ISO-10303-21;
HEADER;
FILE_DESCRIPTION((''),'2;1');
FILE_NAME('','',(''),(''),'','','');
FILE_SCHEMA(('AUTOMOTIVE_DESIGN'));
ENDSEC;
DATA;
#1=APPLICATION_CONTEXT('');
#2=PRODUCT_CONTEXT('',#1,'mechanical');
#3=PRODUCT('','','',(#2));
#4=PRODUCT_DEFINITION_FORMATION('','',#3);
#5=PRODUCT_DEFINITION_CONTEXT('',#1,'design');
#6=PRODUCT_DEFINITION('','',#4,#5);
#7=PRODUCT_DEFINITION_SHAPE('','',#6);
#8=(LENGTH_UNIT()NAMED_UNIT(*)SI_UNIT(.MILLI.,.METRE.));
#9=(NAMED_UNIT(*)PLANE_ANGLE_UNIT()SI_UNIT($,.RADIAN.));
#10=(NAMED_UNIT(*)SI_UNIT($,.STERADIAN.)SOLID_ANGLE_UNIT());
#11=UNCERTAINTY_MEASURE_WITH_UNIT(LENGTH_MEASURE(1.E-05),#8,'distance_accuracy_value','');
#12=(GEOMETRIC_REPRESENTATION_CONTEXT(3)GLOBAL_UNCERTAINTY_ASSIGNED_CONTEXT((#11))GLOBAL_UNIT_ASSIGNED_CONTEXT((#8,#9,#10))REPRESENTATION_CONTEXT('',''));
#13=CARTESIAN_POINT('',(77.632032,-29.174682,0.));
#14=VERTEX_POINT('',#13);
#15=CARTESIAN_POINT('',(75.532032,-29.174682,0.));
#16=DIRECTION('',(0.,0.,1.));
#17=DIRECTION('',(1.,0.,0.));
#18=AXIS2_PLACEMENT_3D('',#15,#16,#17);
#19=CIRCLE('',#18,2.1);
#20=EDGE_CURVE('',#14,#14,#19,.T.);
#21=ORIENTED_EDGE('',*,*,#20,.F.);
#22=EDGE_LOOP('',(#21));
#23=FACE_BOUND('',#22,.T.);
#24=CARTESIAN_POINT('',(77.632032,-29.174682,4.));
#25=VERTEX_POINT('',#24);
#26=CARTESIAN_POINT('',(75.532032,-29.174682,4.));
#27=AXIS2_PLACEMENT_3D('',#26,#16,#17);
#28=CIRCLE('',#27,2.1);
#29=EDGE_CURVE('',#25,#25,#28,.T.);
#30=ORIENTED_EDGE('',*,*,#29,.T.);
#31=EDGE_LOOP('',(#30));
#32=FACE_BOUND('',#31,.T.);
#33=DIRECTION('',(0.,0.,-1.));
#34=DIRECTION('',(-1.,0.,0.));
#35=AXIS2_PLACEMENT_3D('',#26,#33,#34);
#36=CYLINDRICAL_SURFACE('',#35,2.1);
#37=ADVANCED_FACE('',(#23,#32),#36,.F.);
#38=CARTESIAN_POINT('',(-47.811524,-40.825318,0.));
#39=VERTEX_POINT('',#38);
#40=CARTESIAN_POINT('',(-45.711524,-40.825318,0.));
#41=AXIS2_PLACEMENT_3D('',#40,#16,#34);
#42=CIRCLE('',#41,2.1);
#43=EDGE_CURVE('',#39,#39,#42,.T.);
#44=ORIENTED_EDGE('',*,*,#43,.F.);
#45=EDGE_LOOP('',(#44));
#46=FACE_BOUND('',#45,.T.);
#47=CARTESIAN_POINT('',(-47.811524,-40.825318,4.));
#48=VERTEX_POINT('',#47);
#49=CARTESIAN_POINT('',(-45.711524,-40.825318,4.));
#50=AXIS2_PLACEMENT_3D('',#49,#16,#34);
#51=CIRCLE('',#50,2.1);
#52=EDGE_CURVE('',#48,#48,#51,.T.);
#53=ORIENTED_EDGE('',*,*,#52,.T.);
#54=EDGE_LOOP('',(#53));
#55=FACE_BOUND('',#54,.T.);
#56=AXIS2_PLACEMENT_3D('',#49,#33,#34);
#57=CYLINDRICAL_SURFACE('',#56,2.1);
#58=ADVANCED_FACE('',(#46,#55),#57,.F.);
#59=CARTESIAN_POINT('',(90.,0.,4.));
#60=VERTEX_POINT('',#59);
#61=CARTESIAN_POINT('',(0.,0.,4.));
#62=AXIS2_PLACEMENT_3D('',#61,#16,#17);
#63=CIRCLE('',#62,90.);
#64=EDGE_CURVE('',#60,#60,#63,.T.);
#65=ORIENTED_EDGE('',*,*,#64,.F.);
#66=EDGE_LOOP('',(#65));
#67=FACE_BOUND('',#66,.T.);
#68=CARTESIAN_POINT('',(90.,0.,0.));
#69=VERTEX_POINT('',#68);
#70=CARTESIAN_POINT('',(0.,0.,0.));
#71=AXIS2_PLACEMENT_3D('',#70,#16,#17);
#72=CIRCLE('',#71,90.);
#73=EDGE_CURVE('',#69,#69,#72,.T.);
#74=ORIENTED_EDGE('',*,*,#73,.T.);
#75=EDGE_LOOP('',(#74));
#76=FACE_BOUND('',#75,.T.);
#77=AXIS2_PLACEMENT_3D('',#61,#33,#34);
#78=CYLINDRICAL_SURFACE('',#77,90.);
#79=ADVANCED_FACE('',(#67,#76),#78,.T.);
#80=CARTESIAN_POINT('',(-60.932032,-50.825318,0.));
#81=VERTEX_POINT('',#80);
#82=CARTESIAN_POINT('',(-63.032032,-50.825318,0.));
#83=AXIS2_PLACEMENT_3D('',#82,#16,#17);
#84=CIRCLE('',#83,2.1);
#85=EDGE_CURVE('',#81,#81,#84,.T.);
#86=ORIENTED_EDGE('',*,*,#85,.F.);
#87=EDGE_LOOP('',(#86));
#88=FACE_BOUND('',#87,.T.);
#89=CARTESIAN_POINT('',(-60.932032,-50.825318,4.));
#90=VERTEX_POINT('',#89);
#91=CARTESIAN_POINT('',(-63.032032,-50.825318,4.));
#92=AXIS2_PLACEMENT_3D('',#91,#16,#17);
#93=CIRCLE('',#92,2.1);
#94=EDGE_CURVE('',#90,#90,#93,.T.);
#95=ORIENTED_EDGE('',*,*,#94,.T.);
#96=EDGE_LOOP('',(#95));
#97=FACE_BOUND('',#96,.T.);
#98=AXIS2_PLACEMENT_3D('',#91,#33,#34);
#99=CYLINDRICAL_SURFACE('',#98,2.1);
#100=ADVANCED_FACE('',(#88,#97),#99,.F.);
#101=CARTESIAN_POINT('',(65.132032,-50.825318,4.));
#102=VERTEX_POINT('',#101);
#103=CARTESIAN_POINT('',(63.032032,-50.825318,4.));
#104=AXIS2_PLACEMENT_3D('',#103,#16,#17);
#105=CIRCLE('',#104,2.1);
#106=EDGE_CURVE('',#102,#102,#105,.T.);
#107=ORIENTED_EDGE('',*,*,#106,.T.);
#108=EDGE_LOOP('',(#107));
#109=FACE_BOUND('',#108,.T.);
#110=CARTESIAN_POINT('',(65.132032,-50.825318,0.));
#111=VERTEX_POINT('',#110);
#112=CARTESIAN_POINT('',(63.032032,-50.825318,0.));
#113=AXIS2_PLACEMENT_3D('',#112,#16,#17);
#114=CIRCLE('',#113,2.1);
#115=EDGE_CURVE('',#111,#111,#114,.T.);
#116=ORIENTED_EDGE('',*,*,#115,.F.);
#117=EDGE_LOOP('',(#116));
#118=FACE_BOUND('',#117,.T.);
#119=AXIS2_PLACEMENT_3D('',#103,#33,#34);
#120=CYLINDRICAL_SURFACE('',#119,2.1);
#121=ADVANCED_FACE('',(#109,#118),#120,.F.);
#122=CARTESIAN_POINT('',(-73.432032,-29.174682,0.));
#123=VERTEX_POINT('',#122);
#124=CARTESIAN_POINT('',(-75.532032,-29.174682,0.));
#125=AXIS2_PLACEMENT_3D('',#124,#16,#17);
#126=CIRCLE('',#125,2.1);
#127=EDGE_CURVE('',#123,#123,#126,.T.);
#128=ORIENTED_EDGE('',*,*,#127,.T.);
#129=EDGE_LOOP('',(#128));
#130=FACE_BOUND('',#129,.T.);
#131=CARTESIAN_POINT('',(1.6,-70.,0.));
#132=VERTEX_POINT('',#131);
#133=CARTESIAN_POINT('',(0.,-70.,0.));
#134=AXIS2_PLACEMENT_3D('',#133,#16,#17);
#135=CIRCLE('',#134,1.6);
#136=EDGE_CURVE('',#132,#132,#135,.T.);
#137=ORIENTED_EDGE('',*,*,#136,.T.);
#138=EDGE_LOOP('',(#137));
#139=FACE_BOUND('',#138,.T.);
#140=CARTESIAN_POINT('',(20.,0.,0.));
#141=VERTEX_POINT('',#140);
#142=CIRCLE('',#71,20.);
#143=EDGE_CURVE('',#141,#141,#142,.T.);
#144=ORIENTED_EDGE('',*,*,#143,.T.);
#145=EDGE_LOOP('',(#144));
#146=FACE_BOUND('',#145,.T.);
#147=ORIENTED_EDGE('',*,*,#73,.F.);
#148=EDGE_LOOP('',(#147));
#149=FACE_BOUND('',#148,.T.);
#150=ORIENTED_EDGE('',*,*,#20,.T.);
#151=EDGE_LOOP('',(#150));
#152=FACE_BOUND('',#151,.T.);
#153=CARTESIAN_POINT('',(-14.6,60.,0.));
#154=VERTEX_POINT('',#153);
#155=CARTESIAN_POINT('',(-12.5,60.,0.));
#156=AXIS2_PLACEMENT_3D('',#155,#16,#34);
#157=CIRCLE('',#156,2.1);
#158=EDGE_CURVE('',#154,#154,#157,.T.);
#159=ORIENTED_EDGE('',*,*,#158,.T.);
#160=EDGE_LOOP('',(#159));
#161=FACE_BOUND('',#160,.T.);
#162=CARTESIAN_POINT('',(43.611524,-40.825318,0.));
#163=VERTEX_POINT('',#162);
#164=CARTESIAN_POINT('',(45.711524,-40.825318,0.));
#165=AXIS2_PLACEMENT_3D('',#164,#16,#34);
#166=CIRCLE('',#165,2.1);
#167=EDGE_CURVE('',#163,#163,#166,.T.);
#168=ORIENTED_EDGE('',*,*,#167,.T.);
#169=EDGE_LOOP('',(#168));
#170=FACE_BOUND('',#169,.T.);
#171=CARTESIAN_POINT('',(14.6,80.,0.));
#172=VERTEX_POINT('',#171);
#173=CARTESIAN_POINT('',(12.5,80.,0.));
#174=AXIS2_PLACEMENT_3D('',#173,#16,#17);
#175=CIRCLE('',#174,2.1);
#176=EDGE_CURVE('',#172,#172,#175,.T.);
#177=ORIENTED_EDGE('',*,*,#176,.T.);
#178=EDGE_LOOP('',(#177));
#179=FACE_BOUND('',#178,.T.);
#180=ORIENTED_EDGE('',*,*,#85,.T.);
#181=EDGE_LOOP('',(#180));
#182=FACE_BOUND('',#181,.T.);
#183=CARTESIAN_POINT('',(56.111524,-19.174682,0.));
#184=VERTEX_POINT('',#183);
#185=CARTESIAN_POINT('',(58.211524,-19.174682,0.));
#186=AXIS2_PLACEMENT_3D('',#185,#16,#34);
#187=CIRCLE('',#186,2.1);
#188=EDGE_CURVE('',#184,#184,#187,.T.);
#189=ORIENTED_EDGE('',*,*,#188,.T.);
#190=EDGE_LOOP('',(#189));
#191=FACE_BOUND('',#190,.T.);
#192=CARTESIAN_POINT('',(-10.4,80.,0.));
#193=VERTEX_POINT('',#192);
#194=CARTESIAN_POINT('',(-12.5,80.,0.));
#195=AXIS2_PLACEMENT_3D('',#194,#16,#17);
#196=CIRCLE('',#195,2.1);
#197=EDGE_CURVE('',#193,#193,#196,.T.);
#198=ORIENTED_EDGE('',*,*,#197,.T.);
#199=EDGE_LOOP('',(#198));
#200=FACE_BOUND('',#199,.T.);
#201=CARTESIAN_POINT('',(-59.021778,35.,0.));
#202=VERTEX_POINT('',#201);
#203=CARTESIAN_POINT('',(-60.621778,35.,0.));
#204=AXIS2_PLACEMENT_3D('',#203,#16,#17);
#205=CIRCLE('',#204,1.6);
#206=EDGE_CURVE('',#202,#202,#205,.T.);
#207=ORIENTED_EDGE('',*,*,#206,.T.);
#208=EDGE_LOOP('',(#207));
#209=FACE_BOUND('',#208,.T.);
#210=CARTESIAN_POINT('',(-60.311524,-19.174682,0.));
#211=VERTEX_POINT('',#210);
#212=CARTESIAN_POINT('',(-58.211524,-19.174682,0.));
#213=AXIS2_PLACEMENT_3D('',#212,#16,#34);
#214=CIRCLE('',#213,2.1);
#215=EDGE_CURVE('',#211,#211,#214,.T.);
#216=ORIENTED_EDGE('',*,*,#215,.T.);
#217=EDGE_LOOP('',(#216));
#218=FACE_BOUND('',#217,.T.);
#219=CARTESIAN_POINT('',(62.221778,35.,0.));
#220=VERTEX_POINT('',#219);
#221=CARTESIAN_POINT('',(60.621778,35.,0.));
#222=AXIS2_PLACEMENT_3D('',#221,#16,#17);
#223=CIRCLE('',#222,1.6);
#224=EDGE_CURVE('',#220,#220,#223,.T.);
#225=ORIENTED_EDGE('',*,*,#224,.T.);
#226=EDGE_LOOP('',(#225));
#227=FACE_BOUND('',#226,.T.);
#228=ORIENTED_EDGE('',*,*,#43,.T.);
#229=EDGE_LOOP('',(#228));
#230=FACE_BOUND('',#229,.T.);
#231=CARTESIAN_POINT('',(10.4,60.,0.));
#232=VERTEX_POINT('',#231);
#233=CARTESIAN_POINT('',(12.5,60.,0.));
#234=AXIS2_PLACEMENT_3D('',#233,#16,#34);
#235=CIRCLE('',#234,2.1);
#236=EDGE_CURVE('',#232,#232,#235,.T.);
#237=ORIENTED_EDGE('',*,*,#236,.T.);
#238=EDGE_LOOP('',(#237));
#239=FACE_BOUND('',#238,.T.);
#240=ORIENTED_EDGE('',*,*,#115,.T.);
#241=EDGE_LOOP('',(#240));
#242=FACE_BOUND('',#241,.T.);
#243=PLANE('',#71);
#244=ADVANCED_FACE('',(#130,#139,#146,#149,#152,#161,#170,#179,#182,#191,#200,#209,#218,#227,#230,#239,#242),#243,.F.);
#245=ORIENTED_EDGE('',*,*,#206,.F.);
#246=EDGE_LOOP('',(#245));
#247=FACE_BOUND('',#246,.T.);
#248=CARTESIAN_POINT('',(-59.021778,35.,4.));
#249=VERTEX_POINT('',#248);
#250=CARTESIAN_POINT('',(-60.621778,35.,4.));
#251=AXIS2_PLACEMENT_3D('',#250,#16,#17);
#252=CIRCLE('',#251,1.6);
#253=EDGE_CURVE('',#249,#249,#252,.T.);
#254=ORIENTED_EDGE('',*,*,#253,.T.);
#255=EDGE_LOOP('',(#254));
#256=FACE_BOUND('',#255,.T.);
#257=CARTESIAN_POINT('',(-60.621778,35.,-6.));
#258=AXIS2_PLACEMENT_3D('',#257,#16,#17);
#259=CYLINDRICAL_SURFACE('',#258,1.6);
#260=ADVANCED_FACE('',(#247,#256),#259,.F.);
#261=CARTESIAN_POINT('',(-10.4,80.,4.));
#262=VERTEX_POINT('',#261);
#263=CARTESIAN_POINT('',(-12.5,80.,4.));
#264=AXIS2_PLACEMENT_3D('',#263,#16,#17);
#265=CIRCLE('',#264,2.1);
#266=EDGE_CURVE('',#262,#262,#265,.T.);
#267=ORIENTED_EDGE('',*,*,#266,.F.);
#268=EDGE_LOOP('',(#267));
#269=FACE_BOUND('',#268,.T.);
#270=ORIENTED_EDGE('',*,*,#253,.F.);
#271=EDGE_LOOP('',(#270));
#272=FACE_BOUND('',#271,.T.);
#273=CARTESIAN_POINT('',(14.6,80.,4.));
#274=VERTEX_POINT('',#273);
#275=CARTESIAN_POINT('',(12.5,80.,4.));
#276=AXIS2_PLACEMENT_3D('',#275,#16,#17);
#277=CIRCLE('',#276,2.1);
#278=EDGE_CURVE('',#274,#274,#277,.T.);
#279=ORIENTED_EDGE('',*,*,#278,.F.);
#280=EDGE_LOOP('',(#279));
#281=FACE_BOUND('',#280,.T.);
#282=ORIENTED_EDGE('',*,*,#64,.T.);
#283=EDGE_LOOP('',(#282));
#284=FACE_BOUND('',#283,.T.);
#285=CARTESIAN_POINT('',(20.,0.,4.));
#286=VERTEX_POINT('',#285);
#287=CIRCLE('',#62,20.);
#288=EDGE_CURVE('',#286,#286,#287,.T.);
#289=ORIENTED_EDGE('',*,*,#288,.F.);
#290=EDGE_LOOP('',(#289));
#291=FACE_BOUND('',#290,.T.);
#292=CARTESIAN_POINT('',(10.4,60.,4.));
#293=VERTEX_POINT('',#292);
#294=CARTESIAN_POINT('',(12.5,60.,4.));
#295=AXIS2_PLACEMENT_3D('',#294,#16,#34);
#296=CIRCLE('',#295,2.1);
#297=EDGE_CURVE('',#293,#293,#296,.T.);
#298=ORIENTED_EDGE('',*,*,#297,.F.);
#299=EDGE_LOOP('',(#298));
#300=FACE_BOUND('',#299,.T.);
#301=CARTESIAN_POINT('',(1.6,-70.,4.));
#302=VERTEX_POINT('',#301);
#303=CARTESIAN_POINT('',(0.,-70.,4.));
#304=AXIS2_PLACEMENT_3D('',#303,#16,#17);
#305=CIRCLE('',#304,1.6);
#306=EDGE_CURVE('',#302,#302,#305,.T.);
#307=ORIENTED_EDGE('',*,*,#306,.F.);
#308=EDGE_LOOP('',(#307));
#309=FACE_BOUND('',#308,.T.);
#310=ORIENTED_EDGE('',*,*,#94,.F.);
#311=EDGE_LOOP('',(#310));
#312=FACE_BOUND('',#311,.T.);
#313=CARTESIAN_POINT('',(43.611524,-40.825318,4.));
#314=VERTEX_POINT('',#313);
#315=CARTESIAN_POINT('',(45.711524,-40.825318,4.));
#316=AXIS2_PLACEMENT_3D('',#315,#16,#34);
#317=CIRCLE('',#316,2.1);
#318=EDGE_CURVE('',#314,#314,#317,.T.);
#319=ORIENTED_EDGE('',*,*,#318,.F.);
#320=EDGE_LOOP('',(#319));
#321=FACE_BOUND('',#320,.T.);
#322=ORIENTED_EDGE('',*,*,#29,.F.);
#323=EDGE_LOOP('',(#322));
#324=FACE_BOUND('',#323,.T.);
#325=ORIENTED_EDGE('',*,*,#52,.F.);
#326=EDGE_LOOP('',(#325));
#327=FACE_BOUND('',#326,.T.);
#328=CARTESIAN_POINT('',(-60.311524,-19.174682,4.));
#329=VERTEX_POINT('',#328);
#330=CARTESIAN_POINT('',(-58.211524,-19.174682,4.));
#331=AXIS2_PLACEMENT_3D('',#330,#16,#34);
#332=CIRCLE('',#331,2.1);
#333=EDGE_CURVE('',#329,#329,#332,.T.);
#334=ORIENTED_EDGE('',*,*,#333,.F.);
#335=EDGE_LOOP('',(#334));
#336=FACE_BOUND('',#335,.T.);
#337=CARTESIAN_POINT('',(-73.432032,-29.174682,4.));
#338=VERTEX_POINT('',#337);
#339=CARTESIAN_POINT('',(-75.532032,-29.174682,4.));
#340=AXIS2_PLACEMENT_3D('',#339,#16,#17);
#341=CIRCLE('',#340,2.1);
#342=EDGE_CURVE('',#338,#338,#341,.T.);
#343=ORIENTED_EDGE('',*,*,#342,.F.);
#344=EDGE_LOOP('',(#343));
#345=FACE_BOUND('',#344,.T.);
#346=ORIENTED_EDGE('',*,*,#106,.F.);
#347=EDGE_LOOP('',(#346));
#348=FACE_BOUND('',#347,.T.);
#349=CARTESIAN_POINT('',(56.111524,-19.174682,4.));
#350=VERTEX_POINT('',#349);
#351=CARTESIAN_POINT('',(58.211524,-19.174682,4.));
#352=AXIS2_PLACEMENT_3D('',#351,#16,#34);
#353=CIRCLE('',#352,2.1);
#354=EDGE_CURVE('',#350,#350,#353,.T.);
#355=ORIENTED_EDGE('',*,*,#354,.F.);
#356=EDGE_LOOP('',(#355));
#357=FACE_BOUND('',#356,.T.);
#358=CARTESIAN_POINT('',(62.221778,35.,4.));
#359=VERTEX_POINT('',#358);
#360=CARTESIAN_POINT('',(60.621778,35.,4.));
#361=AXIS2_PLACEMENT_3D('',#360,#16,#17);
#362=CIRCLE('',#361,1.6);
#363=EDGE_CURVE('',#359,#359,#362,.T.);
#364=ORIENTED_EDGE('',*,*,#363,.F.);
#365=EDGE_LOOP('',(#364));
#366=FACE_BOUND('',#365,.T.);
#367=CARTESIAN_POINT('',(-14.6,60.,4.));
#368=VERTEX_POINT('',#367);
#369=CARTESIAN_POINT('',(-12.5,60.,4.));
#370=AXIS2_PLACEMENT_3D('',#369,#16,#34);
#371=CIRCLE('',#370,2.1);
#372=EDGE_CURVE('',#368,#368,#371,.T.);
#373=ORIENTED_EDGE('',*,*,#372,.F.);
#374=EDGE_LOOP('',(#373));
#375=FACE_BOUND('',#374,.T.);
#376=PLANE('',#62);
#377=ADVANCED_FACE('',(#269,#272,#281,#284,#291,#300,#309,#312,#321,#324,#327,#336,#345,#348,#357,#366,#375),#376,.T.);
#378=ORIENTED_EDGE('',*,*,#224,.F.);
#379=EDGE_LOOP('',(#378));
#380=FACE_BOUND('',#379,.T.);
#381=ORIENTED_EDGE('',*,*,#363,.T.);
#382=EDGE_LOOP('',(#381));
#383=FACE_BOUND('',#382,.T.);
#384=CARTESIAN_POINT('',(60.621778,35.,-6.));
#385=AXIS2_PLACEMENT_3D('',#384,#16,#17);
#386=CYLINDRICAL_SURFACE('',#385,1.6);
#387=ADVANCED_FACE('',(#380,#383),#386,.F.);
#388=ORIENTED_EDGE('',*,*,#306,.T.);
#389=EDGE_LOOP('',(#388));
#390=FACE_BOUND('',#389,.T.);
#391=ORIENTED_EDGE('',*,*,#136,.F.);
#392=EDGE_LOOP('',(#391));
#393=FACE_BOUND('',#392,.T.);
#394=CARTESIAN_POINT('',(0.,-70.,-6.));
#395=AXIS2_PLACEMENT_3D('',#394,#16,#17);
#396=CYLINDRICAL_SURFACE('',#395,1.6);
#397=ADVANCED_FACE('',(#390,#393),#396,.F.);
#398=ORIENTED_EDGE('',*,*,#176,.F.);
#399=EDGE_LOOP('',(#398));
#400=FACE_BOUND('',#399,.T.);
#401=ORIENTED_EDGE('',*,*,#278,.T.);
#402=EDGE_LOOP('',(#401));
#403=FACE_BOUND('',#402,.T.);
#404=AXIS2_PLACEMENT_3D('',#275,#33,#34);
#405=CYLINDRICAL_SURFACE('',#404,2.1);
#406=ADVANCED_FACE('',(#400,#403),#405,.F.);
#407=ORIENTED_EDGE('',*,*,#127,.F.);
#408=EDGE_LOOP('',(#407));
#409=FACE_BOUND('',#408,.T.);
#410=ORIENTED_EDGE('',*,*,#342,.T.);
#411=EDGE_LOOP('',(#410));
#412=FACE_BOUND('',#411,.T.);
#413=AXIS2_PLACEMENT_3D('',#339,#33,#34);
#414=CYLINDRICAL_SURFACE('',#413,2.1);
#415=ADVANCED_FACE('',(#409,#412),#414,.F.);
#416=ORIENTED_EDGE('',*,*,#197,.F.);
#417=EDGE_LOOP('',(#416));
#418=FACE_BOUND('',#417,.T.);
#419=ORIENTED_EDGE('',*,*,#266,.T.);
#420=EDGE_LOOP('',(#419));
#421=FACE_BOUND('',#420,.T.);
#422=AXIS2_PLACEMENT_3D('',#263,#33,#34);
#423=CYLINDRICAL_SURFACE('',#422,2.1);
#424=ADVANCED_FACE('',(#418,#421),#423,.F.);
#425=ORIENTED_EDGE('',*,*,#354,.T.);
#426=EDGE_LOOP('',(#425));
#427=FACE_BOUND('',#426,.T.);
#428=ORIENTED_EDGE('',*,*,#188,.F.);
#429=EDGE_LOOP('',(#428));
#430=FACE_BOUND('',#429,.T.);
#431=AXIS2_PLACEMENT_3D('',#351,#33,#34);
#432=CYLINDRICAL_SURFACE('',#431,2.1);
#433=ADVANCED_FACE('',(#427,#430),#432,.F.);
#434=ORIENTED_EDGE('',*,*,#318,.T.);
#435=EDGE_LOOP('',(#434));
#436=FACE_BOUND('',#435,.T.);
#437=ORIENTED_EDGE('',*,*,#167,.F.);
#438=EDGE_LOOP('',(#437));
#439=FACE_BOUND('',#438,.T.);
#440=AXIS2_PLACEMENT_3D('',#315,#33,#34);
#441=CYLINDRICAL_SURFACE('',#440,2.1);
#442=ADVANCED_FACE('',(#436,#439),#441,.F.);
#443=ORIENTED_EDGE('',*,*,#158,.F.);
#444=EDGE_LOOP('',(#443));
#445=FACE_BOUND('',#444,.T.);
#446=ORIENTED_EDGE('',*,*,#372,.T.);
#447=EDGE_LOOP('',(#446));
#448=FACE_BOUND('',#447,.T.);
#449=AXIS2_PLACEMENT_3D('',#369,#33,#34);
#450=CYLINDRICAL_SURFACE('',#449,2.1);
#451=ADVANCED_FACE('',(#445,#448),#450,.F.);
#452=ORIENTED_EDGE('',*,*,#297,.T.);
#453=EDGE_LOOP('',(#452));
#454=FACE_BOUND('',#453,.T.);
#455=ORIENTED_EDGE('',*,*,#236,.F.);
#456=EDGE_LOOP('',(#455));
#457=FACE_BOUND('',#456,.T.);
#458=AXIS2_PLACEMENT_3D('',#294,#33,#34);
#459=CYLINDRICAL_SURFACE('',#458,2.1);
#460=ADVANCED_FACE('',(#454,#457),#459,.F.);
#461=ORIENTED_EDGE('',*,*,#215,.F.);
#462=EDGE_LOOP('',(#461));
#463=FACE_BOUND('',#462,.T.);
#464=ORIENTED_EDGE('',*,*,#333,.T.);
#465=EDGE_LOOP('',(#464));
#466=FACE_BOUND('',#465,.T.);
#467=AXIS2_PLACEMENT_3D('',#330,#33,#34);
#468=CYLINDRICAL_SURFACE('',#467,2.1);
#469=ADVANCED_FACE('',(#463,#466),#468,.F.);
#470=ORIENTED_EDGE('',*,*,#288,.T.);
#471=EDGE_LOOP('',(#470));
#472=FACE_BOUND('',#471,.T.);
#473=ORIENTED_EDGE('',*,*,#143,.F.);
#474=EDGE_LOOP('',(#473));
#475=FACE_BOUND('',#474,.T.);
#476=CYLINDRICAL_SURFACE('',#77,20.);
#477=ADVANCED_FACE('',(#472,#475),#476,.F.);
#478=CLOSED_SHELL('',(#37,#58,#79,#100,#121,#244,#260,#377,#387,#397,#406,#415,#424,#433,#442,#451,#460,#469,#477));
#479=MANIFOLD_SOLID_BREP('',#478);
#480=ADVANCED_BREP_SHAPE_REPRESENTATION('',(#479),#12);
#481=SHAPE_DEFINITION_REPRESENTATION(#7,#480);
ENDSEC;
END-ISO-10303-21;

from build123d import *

# Parameters (mm, degrees)
SKETCH_1_R          = 90
SKETCH_1_R_2        = 2.1
SKETCH_1_R_3        = 20
EXTRUDE_1_DEPTH     = 4
SKETCH_2_R          = 1.6
CUT_EXTRUDE_1_DEPTH = 10


with BuildPart() as part:
    # 草图1 → 凸台-拉伸1 (new body)
    with BuildSketch(Plane.XY):
        Circle(SKETCH_1_R)
        with Locations((12.5, 80)):
            Circle(SKETCH_1_R_2, mode=Mode.SUBTRACT)
        with Locations((-12.5, 80)):
            Circle(SKETCH_1_R_2, mode=Mode.SUBTRACT)
        with Locations(Location((12.5, 60, 0), (0, 0, 180))):
            Circle(SKETCH_1_R_2, mode=Mode.SUBTRACT)
        with Locations(Location((-12.5, 60, 0), (0, 0, 180))):
            Circle(SKETCH_1_R_2, mode=Mode.SUBTRACT)
        Circle(SKETCH_1_R_3, mode=Mode.SUBTRACT)
        with Locations((75.532032303, -29.174682453)):
            Circle(SKETCH_1_R_2, mode=Mode.SUBTRACT)
        with Locations(Location((58.211524227, -19.174682453, 0), (0, 0, 180))):
            Circle(SKETCH_1_R_2, mode=Mode.SUBTRACT)
        with Locations(Location((45.711524227, -40.825317547, 0), (0, 0, 180))):
            Circle(SKETCH_1_R_2, mode=Mode.SUBTRACT)
        with Locations((63.032032303, -50.825317547)):
            Circle(SKETCH_1_R_2, mode=Mode.SUBTRACT)
        with Locations((-63.032032303, -50.825317547)):
            Circle(SKETCH_1_R_2, mode=Mode.SUBTRACT)
        with Locations(Location((-45.711524227, -40.825317547, 0), (0, 0, 180))):
            Circle(SKETCH_1_R_2, mode=Mode.SUBTRACT)
        with Locations(Location((-58.211524227, -19.174682453, 0), (0, 0, 180))):
            Circle(SKETCH_1_R_2, mode=Mode.SUBTRACT)
        with Locations((-75.532032303, -29.174682453)):
            Circle(SKETCH_1_R_2, mode=Mode.SUBTRACT)
    extrude(amount=EXTRUDE_1_DEPTH)

    # 草图2 → 切除-拉伸1 (cut)
    with BuildSketch(Plane.XY.offset(4)):
        with Locations((0, -70)):
            Circle(SKETCH_2_R)
        with Locations((-60.621778265, 35)):
            Circle(SKETCH_2_R)
        with Locations((60.621778265, 35)):
            Circle(SKETCH_2_R)
    extrude(amount=-CUT_EXTRUDE_1_DEPTH, mode=Mode.SUBTRACT)


solid = part.part
